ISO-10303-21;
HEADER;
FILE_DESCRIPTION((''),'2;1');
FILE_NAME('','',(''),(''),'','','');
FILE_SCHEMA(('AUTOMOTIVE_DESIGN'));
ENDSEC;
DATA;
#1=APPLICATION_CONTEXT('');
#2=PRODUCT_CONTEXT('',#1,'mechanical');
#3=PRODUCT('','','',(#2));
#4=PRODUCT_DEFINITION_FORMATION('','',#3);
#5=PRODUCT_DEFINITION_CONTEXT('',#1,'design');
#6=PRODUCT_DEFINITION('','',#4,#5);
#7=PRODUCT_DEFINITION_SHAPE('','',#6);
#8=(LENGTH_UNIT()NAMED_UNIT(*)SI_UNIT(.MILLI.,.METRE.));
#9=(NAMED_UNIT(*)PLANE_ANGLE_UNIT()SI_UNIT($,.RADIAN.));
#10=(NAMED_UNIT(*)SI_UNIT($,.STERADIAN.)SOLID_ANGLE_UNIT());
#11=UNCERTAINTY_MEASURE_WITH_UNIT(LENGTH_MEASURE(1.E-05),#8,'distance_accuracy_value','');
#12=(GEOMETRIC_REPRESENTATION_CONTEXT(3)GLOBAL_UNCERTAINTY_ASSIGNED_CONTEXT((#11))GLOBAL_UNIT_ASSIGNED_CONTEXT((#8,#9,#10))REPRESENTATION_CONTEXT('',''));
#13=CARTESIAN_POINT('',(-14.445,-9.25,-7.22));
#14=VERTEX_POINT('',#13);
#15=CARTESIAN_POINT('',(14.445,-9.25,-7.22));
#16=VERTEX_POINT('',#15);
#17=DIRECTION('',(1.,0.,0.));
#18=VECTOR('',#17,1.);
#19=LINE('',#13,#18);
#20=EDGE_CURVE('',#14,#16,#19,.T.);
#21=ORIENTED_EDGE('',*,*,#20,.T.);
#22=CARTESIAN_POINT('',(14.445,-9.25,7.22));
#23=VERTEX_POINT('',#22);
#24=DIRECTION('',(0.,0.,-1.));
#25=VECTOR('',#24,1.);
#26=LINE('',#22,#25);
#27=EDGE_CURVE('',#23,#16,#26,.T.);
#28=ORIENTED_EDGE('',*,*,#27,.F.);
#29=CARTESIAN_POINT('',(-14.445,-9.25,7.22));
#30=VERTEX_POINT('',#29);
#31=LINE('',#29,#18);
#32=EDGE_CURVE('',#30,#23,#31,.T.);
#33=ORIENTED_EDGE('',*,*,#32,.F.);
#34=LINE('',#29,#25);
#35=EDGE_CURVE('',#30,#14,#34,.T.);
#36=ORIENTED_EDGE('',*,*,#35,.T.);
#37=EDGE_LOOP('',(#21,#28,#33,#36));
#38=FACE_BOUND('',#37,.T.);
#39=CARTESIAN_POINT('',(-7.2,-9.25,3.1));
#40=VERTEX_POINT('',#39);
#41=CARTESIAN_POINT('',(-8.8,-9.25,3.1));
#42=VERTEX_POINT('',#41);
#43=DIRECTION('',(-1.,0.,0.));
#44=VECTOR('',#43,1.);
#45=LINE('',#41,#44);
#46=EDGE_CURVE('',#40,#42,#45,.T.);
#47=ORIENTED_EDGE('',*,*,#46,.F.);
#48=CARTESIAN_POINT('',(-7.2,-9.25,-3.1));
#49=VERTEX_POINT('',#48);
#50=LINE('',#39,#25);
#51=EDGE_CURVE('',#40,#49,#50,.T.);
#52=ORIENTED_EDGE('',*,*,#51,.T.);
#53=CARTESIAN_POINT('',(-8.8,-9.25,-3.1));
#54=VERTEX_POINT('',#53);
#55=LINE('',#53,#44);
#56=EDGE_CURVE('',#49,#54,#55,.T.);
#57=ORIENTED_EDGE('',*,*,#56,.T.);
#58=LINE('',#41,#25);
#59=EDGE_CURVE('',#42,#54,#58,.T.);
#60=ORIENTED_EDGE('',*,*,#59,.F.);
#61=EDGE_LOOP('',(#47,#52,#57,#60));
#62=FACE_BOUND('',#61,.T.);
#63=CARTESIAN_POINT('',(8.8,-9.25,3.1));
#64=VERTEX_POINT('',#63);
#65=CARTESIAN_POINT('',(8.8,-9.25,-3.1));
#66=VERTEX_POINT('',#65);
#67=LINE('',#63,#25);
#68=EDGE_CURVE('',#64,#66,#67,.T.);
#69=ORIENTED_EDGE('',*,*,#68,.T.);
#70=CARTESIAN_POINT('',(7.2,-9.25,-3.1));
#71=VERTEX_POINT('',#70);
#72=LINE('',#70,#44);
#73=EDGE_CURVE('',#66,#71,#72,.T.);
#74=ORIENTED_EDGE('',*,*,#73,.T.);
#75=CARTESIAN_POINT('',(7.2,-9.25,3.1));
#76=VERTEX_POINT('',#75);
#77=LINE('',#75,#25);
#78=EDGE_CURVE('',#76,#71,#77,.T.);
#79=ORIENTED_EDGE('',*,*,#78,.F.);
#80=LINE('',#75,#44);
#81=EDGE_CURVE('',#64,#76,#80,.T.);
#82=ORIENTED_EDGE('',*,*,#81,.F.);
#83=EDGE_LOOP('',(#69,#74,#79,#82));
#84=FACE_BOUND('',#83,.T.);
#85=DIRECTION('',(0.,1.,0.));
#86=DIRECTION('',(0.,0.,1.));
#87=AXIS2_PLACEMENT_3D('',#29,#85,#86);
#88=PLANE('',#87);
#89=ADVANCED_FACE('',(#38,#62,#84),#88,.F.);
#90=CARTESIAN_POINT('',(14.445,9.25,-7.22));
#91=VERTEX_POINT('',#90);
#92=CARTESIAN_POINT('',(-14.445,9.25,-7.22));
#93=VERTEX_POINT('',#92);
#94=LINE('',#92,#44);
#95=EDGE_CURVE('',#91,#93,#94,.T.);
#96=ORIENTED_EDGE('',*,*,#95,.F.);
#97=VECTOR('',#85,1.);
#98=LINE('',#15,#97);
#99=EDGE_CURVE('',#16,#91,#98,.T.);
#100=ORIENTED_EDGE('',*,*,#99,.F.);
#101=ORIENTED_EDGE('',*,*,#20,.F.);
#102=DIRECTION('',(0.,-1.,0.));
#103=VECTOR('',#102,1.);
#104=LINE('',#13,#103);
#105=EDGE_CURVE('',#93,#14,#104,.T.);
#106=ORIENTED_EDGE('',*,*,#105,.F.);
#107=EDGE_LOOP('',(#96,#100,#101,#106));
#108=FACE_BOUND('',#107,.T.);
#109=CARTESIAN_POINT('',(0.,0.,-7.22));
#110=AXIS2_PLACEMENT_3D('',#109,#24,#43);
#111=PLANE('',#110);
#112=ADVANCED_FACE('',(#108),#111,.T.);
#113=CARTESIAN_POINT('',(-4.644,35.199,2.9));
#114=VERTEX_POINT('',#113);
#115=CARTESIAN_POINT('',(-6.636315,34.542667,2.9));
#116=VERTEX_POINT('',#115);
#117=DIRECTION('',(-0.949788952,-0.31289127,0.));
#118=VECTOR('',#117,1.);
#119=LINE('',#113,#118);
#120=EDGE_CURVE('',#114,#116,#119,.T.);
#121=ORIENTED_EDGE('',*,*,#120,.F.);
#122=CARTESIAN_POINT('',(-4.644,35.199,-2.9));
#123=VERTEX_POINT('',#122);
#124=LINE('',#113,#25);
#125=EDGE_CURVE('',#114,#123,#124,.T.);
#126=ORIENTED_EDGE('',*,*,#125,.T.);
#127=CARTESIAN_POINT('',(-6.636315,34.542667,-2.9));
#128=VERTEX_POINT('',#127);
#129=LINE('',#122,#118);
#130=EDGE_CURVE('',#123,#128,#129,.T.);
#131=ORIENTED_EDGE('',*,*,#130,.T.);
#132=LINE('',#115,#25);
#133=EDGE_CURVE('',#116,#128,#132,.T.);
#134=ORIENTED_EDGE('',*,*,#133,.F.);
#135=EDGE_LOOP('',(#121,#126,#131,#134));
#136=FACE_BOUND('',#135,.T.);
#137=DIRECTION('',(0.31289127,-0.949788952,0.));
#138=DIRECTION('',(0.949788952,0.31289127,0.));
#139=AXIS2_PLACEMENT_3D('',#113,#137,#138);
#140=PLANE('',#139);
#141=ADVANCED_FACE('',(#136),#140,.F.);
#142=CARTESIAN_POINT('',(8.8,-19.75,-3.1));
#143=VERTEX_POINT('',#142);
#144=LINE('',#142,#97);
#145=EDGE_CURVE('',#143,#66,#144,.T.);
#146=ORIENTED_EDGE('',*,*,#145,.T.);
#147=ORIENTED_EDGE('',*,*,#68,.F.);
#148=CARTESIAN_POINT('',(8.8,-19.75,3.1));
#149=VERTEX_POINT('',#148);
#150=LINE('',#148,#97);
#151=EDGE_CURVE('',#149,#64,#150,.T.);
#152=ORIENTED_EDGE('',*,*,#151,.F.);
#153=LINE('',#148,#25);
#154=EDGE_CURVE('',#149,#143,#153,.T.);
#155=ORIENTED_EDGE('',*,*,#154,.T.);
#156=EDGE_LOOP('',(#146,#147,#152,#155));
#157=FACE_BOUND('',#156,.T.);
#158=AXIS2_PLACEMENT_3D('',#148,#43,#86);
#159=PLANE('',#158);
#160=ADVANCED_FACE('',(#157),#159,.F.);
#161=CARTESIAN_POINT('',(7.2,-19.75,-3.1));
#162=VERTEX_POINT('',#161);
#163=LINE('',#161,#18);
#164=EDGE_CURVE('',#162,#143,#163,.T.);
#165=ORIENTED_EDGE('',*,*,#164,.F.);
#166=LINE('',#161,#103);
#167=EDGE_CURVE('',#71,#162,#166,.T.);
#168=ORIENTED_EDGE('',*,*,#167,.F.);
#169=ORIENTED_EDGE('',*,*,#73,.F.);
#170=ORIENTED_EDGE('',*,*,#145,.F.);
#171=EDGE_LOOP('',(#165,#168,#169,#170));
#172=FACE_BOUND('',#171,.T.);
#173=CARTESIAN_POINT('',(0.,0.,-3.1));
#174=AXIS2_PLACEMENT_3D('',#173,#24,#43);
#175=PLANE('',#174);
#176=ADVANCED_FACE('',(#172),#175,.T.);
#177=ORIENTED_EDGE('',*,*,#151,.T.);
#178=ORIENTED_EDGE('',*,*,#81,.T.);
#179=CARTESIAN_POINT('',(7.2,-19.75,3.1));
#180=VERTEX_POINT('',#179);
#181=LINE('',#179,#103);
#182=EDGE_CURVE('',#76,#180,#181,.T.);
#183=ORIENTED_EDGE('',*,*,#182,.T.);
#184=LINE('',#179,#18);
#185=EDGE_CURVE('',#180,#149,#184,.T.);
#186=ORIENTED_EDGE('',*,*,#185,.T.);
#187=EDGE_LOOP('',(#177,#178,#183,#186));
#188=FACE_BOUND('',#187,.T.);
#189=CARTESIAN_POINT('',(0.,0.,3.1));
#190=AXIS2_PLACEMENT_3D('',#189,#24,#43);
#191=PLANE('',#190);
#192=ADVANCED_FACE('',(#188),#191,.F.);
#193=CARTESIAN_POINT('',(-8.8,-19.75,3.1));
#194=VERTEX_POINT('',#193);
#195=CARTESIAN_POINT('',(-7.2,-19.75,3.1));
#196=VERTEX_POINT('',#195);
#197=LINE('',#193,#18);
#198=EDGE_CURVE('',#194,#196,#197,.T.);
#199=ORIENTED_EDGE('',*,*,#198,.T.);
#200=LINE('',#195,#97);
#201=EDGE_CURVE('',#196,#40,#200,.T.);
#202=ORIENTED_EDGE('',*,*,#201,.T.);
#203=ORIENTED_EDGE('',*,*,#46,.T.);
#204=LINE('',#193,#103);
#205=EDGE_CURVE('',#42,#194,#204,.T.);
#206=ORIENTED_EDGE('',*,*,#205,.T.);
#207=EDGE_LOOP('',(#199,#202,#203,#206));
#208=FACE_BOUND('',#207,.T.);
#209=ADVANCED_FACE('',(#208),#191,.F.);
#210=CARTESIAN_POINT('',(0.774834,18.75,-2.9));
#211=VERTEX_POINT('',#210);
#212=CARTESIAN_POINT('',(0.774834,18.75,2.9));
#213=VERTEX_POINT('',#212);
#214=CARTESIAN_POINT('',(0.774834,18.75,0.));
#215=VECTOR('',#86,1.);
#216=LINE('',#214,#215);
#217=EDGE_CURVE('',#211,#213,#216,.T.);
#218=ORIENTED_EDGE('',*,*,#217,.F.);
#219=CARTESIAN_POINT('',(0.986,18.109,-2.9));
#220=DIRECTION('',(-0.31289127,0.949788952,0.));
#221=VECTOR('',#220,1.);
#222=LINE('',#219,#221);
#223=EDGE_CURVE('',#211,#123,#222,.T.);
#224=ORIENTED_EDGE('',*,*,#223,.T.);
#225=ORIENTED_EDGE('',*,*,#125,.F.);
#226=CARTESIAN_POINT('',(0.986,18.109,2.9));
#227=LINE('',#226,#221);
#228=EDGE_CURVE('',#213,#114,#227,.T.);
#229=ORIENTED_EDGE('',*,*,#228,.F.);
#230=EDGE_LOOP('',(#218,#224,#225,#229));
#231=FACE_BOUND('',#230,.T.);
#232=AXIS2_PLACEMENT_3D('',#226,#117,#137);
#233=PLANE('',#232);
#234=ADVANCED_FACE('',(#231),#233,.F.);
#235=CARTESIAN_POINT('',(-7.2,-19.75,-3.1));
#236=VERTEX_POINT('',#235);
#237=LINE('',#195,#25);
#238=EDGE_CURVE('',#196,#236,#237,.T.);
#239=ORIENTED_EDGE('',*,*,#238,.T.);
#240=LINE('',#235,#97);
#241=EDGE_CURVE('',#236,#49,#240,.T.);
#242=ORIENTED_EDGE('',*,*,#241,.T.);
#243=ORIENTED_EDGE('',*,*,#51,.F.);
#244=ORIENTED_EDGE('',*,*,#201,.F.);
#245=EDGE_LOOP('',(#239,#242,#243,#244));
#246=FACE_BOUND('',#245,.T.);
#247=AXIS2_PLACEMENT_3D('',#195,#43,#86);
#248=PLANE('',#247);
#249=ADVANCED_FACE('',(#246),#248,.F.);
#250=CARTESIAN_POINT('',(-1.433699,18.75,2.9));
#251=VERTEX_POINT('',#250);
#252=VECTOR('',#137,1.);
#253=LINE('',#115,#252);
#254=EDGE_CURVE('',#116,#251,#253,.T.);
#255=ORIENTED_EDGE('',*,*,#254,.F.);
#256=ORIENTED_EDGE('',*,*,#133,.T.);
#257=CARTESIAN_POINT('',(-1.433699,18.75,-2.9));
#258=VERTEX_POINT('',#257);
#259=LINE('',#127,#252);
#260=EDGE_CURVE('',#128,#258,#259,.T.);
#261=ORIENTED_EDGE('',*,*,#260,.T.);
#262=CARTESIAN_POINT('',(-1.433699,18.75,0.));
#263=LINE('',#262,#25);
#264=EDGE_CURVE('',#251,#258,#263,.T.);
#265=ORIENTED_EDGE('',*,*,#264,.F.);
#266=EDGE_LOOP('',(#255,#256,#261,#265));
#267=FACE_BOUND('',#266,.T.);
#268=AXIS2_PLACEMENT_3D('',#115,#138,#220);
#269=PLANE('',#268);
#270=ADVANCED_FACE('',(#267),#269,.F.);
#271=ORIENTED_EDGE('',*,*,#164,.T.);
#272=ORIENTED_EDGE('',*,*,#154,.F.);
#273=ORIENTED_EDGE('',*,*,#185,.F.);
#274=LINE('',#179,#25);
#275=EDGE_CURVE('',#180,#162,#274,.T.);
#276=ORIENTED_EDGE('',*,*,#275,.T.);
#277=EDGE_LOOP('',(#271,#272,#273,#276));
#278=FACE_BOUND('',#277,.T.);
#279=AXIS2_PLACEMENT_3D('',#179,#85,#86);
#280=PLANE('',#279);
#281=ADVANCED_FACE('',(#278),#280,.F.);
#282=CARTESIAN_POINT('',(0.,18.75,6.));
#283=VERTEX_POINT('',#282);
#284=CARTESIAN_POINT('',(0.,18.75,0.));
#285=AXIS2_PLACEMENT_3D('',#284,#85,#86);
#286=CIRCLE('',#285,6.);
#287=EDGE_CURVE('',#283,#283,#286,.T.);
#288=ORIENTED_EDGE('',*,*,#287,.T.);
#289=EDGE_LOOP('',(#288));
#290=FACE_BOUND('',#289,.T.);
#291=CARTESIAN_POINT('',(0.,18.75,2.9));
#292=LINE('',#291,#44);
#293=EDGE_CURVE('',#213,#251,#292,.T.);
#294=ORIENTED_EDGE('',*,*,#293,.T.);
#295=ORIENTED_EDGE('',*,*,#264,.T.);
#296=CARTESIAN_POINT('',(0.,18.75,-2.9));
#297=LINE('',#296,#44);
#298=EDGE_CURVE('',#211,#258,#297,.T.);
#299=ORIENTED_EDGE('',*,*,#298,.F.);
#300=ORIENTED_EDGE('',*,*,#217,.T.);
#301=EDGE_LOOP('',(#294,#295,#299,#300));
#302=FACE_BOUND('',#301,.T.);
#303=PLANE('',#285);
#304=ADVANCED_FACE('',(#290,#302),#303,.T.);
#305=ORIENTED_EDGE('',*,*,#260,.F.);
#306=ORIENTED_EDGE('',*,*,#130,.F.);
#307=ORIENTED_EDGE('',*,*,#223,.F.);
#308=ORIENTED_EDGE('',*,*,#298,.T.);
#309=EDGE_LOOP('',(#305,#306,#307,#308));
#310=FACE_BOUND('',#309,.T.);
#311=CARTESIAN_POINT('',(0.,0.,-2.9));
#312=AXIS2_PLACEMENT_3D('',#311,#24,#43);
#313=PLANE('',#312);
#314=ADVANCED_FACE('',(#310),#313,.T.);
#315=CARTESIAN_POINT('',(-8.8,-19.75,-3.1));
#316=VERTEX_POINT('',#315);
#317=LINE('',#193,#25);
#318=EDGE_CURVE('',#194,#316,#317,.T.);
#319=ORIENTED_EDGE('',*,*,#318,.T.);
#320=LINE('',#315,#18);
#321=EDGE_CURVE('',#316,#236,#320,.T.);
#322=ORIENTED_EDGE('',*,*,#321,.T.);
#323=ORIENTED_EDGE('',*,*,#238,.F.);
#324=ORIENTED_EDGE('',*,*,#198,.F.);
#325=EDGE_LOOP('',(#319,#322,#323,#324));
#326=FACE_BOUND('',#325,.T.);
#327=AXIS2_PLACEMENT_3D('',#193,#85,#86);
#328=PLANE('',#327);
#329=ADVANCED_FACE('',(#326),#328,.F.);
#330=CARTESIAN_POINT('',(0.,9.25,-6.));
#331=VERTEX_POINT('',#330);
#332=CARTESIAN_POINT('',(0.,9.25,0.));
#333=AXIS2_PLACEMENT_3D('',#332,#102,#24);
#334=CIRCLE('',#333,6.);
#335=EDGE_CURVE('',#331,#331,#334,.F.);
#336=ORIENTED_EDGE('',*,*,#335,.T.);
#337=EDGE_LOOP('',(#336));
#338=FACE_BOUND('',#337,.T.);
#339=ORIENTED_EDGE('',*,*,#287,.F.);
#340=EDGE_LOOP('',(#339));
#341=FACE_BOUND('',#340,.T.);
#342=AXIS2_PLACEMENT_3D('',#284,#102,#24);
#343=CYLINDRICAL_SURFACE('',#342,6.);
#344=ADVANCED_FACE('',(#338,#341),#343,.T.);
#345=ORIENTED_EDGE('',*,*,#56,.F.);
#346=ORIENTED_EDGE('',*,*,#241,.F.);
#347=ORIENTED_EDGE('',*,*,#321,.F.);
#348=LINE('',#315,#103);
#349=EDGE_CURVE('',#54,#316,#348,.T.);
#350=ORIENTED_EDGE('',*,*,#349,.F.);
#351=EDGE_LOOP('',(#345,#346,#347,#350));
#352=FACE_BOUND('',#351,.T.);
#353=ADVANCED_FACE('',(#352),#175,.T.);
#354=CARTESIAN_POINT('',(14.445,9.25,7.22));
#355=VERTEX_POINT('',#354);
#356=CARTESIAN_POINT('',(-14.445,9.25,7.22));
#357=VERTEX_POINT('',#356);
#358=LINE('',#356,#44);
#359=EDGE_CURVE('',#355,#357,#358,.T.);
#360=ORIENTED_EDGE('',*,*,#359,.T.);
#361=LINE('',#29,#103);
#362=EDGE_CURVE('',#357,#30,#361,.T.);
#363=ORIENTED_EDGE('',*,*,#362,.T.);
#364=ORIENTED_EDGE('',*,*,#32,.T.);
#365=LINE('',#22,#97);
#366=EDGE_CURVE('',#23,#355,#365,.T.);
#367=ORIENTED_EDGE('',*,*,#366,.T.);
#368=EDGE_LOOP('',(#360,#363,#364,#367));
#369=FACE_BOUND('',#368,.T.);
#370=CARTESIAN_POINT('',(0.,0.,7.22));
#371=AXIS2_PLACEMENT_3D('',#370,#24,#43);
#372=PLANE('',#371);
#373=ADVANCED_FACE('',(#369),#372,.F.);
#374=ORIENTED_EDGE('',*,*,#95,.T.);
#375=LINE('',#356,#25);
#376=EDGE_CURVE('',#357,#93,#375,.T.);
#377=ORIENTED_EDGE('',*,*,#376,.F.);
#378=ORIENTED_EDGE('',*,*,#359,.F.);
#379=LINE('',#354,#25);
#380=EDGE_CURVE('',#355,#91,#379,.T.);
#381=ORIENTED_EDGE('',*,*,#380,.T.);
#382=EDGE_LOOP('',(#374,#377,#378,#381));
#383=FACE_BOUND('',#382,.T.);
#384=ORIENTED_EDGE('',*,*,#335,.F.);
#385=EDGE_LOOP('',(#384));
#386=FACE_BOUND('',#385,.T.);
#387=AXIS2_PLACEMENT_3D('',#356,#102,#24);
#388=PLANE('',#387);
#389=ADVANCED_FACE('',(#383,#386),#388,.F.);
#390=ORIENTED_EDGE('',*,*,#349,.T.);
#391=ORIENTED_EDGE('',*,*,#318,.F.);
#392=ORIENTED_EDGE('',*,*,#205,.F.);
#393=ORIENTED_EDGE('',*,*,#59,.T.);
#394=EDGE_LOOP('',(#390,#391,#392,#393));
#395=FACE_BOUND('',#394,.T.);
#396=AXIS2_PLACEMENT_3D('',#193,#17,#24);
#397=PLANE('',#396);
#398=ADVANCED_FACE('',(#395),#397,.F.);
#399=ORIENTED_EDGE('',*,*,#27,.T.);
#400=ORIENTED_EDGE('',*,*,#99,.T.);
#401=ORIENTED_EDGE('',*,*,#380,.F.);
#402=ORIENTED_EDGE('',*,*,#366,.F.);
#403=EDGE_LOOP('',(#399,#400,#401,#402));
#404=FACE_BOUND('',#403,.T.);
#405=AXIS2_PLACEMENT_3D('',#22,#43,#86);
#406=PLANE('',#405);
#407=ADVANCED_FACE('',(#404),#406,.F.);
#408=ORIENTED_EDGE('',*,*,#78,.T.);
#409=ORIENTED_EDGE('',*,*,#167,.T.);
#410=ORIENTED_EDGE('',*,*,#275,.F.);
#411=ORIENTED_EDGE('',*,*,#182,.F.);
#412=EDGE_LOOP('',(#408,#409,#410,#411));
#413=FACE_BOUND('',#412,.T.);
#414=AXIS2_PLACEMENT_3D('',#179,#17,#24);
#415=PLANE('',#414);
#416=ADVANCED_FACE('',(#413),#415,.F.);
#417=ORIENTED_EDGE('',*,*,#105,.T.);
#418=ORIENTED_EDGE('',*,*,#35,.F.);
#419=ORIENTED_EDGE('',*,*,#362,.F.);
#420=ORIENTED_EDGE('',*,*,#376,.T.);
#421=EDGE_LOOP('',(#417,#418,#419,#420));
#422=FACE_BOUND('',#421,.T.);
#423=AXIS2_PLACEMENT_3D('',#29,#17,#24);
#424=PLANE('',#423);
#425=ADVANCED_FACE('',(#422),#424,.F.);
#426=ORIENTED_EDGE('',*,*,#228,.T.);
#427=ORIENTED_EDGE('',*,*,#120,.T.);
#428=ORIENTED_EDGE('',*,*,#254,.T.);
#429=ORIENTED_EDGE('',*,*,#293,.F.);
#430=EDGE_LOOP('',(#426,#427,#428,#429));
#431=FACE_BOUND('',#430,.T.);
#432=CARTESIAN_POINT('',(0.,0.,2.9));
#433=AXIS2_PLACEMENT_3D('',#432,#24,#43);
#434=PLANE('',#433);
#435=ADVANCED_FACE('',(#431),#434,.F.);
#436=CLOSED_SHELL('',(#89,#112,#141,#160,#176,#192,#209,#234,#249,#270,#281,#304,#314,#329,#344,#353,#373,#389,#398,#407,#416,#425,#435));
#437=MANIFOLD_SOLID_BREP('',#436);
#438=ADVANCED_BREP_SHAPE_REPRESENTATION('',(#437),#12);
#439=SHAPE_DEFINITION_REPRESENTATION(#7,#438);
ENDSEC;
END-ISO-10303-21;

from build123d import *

# Parameters (mm, degrees)
SKETCH1_W           = 28.89
SKETCH1_H           = 18.5
BOSS_EXTRUDE1_DEPTH = 7.22
SKETCH2_R           = 6
BOSS_EXTRUDE2_DEPTH = 18.75
BOSS_EXTRUDE3_DEPTH = 2.9
SKETCH4_W           = 1.6
SKETCH4_H           = 10.5
BOSS_EXTRUDE4_DEPTH = 3.1


with BuildPart() as part:
    # Sketch1 → Boss-Extrude1 (new, symmetric)
    with BuildSketch(Plane.XY):
        Rectangle(SKETCH1_W, SKETCH1_H)
    extrude(amount=BOSS_EXTRUDE1_DEPTH, both=True)

    # Sketch2 → Boss-Extrude2 (add)
    with BuildSketch(Plane(origin=(0, 0, 0), x_dir=(1, 0, 0), z_dir=(0, 1, 0))):
        with Locations(Location((0, 0, 0), (0, 0, 90))):
            Circle(SKETCH2_R)
    extrude(amount=BOSS_EXTRUDE2_DEPTH)

    # Sketch3 → Boss-Extrude3 (add, symmetric)
    with BuildSketch(Plane.XY):
        Polygon((-0.986, 17.391), (0.986, 18.109), (-4.644, 35.199), (-6.636315055, 34.542666837), align=None)
    extrude(amount=BOSS_EXTRUDE3_DEPTH, both=True)

    # Sketch4 → Boss-Extrude4 (add, symmetric)
    with BuildSketch(Plane.XY):
        with Locations((-8, -14.5)):
            Rectangle(SKETCH4_W, SKETCH4_H)
        with Locations((8, -14.5)):
            Rectangle(SKETCH4_W, SKETCH4_H)
    extrude(amount=BOSS_EXTRUDE4_DEPTH, both=True)


solid = part.part
